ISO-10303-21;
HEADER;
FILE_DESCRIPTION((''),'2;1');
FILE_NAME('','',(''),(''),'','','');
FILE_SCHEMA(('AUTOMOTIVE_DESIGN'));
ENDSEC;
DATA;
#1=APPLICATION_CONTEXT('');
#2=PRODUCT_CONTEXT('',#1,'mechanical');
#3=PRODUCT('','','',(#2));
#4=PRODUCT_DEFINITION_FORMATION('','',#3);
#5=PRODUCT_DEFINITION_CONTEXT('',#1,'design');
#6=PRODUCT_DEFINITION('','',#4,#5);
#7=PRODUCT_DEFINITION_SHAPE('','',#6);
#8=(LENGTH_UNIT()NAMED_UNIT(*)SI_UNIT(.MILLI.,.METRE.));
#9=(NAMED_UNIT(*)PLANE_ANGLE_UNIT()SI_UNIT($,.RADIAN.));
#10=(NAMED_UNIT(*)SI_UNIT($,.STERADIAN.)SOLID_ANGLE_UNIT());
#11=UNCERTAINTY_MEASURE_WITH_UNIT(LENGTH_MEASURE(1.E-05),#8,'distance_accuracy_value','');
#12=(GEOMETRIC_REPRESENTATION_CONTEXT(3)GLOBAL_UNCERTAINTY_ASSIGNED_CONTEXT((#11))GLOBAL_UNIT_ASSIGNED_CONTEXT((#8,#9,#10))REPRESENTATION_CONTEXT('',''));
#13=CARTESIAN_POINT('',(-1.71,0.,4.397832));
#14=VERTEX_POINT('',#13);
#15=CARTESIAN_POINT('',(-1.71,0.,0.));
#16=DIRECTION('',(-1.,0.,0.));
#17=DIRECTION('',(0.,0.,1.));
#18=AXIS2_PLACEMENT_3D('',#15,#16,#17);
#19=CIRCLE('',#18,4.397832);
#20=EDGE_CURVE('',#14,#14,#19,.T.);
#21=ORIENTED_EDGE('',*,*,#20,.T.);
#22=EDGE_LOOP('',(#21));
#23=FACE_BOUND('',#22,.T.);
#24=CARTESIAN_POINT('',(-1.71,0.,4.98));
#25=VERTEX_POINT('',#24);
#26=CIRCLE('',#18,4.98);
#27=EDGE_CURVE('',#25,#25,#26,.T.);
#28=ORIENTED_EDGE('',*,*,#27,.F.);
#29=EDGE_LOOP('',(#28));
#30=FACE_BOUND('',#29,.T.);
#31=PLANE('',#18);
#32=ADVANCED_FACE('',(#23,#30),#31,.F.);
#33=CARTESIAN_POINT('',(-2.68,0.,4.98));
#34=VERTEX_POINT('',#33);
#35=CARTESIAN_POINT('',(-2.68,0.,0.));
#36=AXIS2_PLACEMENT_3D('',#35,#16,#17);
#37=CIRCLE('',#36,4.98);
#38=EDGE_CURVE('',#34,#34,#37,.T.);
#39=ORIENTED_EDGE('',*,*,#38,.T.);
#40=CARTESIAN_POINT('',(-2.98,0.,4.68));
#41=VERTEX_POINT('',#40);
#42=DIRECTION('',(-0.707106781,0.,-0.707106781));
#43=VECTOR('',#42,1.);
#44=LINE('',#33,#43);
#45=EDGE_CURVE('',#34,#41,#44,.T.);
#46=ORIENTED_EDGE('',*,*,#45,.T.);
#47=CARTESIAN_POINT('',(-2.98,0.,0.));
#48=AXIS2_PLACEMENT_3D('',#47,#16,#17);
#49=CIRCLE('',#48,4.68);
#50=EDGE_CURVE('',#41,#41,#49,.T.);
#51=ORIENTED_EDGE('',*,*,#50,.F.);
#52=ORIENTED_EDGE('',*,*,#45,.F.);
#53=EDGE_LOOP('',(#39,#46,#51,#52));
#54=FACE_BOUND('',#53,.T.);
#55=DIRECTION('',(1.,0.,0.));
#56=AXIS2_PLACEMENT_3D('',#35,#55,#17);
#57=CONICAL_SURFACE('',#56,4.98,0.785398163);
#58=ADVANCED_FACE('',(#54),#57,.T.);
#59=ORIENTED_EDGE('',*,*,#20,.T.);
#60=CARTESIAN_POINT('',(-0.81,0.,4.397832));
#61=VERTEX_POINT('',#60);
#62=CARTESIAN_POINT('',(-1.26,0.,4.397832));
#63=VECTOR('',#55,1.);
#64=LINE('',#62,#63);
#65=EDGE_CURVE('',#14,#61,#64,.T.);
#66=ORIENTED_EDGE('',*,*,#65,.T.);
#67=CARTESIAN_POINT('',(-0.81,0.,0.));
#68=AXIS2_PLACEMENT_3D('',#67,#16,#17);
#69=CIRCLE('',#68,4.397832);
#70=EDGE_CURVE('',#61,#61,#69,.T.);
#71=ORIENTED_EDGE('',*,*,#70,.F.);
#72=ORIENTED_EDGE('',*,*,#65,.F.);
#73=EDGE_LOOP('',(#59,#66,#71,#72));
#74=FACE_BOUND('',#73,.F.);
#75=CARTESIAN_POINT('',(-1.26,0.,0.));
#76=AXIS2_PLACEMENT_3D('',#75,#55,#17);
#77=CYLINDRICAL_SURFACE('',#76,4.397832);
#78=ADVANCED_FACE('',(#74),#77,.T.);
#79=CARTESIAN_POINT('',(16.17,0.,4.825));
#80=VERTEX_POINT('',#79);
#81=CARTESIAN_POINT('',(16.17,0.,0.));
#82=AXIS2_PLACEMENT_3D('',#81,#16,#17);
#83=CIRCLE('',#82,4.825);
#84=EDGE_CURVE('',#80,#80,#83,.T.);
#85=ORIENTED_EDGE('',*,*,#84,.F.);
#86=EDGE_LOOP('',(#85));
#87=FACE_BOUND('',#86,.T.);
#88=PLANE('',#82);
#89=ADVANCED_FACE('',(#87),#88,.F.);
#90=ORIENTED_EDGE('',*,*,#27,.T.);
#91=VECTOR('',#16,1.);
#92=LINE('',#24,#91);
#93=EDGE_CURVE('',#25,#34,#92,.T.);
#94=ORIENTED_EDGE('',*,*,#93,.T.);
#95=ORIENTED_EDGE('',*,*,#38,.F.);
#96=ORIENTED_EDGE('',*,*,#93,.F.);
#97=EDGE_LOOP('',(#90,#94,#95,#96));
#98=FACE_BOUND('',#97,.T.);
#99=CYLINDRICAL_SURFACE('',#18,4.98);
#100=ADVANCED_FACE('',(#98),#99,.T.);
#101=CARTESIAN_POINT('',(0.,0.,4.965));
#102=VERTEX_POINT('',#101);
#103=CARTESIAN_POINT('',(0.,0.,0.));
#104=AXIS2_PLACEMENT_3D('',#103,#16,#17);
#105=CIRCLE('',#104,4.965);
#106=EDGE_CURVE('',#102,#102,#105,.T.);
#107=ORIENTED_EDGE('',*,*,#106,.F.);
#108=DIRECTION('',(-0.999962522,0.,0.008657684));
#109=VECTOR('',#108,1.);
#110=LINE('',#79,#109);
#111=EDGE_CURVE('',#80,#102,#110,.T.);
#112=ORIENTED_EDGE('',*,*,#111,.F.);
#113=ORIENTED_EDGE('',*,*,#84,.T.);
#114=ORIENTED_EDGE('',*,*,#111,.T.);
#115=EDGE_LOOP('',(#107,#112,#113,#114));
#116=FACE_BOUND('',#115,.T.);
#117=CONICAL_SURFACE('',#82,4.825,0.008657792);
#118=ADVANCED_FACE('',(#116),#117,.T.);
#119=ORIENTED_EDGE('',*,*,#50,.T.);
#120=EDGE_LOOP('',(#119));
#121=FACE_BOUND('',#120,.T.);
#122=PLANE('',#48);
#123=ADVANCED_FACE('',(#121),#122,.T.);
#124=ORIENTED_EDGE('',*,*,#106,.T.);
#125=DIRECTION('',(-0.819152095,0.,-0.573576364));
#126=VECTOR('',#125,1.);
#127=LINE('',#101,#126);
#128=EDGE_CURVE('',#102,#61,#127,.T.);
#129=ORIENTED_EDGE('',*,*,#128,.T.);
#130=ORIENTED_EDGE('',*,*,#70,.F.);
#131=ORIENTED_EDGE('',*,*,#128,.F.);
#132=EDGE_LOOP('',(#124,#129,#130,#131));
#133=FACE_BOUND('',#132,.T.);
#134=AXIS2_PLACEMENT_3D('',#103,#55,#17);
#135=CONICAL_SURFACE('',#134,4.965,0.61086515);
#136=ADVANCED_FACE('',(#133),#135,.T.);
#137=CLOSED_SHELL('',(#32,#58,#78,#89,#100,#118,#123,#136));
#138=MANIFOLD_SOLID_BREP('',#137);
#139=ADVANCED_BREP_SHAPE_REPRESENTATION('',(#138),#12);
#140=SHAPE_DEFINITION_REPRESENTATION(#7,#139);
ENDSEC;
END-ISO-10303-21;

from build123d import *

# Parameters (mm, degrees)
F0_W = 0.9
F0_H = 4.397832


with BuildPart() as f1:
    # F0 (on Front) → F1 (revolve)
    with BuildSketch(Plane.XZ):
        Polygon((16.17, 0), (16.17, 4.825), (0, 4.965), (-0.81, 4.397832), (-0.81, 0), align=None)
        with Locations((-1.26, 2.198916)):
            Rectangle(F0_W, F0_H)
        Polygon((-2.98, 0), (-1.71, 0), (-1.71, 4.397832), (-1.71, 4.98), (-2.68, 4.98), (-2.98, 4.68), align=None)
    revolve(axis=Axis((5.528297, 0, 0), (-1, 0, 0)))


solid = f1.part
